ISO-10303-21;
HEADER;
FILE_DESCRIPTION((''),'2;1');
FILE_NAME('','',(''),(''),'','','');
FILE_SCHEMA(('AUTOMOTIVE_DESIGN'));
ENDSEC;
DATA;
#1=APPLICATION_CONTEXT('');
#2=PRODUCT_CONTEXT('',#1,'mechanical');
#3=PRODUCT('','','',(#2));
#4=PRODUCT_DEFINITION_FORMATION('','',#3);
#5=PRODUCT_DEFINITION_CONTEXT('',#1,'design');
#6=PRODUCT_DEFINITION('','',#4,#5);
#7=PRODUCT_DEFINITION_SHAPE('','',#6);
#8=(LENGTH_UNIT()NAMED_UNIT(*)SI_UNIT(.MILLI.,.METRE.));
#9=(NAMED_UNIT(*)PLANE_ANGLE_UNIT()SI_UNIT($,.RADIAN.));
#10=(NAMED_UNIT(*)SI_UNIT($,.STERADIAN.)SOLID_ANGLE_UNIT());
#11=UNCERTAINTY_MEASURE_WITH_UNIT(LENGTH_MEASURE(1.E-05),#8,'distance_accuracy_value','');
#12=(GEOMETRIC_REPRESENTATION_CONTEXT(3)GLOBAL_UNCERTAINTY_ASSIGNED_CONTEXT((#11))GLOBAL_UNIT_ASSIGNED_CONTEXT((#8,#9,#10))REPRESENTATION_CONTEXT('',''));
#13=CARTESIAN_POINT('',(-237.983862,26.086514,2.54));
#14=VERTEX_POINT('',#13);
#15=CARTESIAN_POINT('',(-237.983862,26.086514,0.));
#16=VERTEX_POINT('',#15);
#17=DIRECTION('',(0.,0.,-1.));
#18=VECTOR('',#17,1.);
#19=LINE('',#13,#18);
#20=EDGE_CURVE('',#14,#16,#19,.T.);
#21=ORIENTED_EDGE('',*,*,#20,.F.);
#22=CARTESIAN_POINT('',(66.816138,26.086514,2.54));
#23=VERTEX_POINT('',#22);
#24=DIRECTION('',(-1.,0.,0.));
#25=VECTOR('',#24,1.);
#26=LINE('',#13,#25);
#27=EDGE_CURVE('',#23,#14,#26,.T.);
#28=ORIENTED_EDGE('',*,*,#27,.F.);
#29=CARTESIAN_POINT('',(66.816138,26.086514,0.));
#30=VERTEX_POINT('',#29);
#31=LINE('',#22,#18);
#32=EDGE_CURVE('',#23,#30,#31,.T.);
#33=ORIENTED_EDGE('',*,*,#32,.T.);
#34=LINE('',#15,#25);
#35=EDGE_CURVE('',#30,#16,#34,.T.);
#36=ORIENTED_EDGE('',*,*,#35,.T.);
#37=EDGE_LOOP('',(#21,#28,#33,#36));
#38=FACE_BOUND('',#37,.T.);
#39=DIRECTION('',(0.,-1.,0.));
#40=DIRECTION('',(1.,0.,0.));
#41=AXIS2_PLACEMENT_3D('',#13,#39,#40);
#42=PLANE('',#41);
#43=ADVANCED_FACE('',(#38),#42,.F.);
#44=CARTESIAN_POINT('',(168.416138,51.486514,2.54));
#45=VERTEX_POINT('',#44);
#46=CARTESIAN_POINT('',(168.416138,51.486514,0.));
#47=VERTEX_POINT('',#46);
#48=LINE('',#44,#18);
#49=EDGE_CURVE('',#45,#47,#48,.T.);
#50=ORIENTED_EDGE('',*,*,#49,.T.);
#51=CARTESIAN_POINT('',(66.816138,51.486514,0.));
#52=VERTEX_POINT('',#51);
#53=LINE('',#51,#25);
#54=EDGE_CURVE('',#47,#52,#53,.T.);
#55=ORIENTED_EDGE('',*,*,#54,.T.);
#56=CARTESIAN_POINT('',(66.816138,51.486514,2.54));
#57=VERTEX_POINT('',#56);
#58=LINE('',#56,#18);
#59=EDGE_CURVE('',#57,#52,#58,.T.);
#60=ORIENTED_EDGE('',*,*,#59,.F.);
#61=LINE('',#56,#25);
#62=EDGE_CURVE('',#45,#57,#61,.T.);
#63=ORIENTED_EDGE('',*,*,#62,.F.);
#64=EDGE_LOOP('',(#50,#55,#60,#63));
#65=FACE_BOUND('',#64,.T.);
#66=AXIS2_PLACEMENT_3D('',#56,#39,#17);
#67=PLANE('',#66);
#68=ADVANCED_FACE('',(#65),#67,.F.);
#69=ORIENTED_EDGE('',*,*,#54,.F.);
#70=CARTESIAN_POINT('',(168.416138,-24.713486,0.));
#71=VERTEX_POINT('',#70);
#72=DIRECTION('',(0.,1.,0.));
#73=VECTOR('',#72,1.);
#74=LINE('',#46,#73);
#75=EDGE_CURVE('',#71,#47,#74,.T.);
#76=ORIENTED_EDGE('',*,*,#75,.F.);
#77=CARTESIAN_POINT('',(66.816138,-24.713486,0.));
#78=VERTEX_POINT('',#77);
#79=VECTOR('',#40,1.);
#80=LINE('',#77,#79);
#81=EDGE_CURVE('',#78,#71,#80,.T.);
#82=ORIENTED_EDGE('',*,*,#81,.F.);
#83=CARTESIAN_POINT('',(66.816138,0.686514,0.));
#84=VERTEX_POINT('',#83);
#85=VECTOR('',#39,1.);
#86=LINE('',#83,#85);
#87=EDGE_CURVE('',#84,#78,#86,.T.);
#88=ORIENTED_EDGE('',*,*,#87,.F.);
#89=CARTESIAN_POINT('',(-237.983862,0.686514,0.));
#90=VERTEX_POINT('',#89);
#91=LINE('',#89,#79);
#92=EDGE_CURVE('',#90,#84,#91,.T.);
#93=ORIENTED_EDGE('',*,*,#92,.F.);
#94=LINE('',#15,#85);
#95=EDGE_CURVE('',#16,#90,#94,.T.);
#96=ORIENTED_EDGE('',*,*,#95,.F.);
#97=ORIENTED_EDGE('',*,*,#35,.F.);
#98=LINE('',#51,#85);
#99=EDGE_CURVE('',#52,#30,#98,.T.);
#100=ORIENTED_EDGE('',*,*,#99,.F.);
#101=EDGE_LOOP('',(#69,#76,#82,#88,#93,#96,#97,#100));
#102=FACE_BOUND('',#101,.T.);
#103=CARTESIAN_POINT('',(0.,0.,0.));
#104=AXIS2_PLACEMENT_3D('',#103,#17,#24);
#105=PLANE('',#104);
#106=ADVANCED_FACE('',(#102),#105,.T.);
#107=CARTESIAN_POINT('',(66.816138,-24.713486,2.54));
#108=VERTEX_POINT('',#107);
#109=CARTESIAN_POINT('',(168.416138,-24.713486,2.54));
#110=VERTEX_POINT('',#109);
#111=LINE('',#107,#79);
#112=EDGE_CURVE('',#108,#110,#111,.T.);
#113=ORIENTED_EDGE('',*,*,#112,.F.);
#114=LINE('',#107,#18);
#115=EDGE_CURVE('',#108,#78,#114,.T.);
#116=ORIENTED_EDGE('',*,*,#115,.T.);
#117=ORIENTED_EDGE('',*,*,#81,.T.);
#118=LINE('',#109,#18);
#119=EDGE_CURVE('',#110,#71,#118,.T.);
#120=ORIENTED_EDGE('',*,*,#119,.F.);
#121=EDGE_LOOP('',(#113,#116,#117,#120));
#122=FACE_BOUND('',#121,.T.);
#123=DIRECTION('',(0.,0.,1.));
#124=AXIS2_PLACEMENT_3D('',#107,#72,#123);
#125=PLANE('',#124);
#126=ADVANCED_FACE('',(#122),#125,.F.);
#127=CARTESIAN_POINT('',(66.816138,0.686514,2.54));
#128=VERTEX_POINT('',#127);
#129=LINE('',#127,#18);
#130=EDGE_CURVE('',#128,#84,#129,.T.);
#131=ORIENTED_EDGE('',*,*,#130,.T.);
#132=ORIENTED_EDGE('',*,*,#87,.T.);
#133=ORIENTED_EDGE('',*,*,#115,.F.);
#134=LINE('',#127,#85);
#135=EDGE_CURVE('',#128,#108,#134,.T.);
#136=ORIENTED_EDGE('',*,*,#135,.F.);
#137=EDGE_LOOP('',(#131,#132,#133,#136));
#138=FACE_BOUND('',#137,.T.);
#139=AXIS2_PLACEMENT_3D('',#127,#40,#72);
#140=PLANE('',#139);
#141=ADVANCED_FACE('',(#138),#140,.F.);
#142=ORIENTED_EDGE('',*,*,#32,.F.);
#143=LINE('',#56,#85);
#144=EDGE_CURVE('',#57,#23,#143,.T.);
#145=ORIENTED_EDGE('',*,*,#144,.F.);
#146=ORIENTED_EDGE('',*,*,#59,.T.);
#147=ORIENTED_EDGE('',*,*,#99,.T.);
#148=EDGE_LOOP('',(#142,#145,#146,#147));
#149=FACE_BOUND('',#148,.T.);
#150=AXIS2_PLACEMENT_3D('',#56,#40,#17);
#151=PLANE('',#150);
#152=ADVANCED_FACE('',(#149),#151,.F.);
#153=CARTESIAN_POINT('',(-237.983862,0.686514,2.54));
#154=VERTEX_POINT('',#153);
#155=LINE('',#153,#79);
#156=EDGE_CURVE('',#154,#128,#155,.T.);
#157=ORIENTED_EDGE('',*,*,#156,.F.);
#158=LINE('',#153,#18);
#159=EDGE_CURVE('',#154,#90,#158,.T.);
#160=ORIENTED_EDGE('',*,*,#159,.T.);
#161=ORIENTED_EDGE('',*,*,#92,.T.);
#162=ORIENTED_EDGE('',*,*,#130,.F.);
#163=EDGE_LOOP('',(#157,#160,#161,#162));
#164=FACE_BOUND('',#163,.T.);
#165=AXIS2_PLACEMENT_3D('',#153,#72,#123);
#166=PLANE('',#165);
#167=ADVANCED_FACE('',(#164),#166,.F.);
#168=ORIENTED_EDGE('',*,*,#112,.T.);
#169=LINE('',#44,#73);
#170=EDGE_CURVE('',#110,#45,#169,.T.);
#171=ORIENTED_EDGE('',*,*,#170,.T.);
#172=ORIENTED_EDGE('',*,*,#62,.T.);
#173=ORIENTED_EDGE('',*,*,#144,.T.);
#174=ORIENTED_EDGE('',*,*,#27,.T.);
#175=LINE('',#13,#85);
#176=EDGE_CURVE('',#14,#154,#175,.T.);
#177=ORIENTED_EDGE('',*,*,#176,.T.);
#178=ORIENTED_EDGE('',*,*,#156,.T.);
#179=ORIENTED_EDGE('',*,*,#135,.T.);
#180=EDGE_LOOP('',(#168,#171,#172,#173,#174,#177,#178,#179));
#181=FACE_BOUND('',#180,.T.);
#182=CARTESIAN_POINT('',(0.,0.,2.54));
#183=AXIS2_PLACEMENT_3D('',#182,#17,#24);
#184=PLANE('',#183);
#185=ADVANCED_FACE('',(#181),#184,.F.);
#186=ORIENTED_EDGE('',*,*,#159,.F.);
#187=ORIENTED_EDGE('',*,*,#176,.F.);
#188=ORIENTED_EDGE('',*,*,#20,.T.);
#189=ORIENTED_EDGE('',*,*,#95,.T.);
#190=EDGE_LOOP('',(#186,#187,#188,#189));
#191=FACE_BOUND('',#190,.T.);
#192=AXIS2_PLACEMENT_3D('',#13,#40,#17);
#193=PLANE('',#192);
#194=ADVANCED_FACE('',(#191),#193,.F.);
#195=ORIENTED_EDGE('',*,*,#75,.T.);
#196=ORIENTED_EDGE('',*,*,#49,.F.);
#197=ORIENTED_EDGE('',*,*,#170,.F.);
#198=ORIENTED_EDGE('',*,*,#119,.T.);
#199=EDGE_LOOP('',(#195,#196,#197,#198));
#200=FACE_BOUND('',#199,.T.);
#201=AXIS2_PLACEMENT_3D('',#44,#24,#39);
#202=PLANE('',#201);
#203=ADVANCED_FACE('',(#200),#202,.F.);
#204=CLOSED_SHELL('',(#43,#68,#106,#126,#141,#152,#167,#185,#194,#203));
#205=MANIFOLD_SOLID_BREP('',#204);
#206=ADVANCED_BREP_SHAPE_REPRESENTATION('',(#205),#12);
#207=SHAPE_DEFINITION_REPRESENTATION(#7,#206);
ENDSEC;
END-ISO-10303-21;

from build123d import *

# Parameters (mm, degrees)
BOSS_EXTRUDE2_DEPTH = 2.54


with BuildPart() as part:
    # Sketch1 → Boss-Extrude2 (new body)
    with BuildSketch(Plane.XY):
        Polygon((66.816138218, 0.686513851), (66.816138218, -24.713486149), (168.416138218, -24.713486149), (168.416138218, 51.486513851), (66.816138218, 51.486513851), (66.816138218, 26.086513851), (-237.983861782, 26.086513851), (-237.983861782, 0.686513851), align=None)
    extrude(amount=BOSS_EXTRUDE2_DEPTH)


solid = part.part
